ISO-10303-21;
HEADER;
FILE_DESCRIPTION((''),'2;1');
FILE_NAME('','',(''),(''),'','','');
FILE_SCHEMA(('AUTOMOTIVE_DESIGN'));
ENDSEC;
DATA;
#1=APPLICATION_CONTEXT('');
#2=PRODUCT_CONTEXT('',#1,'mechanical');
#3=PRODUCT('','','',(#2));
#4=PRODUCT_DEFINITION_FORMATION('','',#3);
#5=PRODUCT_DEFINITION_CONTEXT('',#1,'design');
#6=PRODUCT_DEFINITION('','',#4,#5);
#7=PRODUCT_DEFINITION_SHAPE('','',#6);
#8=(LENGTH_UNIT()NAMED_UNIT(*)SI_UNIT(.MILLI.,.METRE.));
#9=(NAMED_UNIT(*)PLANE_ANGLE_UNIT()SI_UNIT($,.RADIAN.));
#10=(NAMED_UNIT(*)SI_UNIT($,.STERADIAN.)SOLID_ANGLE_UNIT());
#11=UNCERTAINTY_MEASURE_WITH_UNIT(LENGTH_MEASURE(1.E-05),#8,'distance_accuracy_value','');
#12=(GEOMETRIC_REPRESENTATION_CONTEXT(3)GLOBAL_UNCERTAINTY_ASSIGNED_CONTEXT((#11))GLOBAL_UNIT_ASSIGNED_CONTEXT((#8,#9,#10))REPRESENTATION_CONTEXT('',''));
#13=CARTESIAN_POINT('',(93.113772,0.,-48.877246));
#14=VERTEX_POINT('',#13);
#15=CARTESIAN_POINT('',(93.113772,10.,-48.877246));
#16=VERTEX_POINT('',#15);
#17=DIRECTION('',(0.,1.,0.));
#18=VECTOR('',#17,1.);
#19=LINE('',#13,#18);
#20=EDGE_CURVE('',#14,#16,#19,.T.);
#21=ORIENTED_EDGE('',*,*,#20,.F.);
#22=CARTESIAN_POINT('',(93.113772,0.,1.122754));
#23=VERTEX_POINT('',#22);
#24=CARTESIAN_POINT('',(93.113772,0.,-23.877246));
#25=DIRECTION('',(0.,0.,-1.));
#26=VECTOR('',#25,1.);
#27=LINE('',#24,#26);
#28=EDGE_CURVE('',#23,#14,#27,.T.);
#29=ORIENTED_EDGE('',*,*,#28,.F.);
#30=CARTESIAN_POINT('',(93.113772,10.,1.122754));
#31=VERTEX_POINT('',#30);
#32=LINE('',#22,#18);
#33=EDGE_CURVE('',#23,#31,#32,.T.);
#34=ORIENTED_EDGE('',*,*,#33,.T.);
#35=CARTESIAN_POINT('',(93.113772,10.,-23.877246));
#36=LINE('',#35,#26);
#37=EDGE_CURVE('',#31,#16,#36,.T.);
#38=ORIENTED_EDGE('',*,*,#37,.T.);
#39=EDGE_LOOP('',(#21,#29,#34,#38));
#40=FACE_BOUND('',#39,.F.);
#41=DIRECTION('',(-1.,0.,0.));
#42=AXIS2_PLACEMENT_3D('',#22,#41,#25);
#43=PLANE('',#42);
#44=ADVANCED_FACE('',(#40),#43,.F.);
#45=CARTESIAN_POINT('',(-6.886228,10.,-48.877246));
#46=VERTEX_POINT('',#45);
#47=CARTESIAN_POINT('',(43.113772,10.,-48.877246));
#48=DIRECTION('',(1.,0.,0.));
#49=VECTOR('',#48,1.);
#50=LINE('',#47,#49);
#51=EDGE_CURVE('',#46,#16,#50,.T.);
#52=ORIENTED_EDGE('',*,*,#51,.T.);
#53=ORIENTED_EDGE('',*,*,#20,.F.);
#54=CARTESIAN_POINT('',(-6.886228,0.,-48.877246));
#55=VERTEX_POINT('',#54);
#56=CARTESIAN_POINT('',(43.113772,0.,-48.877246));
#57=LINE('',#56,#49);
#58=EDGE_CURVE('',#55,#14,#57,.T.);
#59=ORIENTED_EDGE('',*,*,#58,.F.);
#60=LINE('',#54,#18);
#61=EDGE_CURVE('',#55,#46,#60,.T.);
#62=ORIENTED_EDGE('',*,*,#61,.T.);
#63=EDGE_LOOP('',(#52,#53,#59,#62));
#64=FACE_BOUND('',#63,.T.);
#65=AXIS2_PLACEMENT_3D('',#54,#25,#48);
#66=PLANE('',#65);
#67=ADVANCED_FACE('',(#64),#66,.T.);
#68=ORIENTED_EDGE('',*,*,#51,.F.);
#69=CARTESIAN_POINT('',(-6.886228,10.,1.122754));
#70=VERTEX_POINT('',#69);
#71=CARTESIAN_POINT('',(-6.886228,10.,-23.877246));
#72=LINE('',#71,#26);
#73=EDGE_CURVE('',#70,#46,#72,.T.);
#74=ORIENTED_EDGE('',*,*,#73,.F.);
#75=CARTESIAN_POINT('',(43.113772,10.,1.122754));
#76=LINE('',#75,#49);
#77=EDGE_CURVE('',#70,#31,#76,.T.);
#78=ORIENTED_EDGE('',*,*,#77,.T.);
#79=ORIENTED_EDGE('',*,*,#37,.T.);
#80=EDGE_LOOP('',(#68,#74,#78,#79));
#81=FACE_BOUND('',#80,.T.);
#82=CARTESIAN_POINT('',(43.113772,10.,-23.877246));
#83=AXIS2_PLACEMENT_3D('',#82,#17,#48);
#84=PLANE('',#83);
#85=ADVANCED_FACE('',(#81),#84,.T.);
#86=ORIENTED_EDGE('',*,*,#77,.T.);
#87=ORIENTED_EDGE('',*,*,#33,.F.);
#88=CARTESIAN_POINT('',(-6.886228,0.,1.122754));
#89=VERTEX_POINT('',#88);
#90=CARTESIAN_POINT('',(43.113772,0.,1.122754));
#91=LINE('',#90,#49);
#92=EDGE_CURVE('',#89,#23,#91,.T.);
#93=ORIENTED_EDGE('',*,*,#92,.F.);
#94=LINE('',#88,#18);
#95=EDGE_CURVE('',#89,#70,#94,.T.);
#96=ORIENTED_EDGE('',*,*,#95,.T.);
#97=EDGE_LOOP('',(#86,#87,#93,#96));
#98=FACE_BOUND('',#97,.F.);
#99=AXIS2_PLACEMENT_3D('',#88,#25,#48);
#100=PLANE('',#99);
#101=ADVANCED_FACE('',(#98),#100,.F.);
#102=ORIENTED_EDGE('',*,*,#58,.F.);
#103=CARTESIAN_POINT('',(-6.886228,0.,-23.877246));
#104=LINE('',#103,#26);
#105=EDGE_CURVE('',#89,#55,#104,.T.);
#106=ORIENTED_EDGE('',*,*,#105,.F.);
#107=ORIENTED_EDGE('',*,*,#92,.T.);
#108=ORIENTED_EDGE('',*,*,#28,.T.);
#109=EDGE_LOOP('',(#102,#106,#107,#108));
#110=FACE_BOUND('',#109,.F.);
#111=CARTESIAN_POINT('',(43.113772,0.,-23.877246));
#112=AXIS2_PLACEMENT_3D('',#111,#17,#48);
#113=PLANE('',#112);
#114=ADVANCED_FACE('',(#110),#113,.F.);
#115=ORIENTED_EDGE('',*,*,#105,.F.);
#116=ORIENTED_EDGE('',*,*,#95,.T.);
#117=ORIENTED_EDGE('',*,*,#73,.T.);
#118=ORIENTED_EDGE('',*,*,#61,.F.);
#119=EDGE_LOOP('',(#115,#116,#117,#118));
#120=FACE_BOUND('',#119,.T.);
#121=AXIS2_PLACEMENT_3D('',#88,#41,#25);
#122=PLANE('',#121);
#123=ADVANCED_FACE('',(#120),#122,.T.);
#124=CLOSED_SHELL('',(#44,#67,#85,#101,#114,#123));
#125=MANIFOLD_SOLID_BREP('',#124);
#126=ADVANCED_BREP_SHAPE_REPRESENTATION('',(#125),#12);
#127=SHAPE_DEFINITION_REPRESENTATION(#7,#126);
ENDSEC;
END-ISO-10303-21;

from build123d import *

# Parameters (mm, degrees)
SKETCH1_W           = 100
SKETCH1_H           = 50
BOSS_EXTRUDE1_DEPTH = 10


with BuildPart() as part:
    # Sketch1 → Boss-Extrude1 (new body)
    with BuildSketch(Plane(origin=(0, 0, 0), x_dir=(1, 0, 0), z_dir=(0, 1, 0))):
        with Locations((43.113772455, 23.877245509)):
            Rectangle(SKETCH1_W, SKETCH1_H)
    extrude(amount=BOSS_EXTRUDE1_DEPTH)


solid = part.part
